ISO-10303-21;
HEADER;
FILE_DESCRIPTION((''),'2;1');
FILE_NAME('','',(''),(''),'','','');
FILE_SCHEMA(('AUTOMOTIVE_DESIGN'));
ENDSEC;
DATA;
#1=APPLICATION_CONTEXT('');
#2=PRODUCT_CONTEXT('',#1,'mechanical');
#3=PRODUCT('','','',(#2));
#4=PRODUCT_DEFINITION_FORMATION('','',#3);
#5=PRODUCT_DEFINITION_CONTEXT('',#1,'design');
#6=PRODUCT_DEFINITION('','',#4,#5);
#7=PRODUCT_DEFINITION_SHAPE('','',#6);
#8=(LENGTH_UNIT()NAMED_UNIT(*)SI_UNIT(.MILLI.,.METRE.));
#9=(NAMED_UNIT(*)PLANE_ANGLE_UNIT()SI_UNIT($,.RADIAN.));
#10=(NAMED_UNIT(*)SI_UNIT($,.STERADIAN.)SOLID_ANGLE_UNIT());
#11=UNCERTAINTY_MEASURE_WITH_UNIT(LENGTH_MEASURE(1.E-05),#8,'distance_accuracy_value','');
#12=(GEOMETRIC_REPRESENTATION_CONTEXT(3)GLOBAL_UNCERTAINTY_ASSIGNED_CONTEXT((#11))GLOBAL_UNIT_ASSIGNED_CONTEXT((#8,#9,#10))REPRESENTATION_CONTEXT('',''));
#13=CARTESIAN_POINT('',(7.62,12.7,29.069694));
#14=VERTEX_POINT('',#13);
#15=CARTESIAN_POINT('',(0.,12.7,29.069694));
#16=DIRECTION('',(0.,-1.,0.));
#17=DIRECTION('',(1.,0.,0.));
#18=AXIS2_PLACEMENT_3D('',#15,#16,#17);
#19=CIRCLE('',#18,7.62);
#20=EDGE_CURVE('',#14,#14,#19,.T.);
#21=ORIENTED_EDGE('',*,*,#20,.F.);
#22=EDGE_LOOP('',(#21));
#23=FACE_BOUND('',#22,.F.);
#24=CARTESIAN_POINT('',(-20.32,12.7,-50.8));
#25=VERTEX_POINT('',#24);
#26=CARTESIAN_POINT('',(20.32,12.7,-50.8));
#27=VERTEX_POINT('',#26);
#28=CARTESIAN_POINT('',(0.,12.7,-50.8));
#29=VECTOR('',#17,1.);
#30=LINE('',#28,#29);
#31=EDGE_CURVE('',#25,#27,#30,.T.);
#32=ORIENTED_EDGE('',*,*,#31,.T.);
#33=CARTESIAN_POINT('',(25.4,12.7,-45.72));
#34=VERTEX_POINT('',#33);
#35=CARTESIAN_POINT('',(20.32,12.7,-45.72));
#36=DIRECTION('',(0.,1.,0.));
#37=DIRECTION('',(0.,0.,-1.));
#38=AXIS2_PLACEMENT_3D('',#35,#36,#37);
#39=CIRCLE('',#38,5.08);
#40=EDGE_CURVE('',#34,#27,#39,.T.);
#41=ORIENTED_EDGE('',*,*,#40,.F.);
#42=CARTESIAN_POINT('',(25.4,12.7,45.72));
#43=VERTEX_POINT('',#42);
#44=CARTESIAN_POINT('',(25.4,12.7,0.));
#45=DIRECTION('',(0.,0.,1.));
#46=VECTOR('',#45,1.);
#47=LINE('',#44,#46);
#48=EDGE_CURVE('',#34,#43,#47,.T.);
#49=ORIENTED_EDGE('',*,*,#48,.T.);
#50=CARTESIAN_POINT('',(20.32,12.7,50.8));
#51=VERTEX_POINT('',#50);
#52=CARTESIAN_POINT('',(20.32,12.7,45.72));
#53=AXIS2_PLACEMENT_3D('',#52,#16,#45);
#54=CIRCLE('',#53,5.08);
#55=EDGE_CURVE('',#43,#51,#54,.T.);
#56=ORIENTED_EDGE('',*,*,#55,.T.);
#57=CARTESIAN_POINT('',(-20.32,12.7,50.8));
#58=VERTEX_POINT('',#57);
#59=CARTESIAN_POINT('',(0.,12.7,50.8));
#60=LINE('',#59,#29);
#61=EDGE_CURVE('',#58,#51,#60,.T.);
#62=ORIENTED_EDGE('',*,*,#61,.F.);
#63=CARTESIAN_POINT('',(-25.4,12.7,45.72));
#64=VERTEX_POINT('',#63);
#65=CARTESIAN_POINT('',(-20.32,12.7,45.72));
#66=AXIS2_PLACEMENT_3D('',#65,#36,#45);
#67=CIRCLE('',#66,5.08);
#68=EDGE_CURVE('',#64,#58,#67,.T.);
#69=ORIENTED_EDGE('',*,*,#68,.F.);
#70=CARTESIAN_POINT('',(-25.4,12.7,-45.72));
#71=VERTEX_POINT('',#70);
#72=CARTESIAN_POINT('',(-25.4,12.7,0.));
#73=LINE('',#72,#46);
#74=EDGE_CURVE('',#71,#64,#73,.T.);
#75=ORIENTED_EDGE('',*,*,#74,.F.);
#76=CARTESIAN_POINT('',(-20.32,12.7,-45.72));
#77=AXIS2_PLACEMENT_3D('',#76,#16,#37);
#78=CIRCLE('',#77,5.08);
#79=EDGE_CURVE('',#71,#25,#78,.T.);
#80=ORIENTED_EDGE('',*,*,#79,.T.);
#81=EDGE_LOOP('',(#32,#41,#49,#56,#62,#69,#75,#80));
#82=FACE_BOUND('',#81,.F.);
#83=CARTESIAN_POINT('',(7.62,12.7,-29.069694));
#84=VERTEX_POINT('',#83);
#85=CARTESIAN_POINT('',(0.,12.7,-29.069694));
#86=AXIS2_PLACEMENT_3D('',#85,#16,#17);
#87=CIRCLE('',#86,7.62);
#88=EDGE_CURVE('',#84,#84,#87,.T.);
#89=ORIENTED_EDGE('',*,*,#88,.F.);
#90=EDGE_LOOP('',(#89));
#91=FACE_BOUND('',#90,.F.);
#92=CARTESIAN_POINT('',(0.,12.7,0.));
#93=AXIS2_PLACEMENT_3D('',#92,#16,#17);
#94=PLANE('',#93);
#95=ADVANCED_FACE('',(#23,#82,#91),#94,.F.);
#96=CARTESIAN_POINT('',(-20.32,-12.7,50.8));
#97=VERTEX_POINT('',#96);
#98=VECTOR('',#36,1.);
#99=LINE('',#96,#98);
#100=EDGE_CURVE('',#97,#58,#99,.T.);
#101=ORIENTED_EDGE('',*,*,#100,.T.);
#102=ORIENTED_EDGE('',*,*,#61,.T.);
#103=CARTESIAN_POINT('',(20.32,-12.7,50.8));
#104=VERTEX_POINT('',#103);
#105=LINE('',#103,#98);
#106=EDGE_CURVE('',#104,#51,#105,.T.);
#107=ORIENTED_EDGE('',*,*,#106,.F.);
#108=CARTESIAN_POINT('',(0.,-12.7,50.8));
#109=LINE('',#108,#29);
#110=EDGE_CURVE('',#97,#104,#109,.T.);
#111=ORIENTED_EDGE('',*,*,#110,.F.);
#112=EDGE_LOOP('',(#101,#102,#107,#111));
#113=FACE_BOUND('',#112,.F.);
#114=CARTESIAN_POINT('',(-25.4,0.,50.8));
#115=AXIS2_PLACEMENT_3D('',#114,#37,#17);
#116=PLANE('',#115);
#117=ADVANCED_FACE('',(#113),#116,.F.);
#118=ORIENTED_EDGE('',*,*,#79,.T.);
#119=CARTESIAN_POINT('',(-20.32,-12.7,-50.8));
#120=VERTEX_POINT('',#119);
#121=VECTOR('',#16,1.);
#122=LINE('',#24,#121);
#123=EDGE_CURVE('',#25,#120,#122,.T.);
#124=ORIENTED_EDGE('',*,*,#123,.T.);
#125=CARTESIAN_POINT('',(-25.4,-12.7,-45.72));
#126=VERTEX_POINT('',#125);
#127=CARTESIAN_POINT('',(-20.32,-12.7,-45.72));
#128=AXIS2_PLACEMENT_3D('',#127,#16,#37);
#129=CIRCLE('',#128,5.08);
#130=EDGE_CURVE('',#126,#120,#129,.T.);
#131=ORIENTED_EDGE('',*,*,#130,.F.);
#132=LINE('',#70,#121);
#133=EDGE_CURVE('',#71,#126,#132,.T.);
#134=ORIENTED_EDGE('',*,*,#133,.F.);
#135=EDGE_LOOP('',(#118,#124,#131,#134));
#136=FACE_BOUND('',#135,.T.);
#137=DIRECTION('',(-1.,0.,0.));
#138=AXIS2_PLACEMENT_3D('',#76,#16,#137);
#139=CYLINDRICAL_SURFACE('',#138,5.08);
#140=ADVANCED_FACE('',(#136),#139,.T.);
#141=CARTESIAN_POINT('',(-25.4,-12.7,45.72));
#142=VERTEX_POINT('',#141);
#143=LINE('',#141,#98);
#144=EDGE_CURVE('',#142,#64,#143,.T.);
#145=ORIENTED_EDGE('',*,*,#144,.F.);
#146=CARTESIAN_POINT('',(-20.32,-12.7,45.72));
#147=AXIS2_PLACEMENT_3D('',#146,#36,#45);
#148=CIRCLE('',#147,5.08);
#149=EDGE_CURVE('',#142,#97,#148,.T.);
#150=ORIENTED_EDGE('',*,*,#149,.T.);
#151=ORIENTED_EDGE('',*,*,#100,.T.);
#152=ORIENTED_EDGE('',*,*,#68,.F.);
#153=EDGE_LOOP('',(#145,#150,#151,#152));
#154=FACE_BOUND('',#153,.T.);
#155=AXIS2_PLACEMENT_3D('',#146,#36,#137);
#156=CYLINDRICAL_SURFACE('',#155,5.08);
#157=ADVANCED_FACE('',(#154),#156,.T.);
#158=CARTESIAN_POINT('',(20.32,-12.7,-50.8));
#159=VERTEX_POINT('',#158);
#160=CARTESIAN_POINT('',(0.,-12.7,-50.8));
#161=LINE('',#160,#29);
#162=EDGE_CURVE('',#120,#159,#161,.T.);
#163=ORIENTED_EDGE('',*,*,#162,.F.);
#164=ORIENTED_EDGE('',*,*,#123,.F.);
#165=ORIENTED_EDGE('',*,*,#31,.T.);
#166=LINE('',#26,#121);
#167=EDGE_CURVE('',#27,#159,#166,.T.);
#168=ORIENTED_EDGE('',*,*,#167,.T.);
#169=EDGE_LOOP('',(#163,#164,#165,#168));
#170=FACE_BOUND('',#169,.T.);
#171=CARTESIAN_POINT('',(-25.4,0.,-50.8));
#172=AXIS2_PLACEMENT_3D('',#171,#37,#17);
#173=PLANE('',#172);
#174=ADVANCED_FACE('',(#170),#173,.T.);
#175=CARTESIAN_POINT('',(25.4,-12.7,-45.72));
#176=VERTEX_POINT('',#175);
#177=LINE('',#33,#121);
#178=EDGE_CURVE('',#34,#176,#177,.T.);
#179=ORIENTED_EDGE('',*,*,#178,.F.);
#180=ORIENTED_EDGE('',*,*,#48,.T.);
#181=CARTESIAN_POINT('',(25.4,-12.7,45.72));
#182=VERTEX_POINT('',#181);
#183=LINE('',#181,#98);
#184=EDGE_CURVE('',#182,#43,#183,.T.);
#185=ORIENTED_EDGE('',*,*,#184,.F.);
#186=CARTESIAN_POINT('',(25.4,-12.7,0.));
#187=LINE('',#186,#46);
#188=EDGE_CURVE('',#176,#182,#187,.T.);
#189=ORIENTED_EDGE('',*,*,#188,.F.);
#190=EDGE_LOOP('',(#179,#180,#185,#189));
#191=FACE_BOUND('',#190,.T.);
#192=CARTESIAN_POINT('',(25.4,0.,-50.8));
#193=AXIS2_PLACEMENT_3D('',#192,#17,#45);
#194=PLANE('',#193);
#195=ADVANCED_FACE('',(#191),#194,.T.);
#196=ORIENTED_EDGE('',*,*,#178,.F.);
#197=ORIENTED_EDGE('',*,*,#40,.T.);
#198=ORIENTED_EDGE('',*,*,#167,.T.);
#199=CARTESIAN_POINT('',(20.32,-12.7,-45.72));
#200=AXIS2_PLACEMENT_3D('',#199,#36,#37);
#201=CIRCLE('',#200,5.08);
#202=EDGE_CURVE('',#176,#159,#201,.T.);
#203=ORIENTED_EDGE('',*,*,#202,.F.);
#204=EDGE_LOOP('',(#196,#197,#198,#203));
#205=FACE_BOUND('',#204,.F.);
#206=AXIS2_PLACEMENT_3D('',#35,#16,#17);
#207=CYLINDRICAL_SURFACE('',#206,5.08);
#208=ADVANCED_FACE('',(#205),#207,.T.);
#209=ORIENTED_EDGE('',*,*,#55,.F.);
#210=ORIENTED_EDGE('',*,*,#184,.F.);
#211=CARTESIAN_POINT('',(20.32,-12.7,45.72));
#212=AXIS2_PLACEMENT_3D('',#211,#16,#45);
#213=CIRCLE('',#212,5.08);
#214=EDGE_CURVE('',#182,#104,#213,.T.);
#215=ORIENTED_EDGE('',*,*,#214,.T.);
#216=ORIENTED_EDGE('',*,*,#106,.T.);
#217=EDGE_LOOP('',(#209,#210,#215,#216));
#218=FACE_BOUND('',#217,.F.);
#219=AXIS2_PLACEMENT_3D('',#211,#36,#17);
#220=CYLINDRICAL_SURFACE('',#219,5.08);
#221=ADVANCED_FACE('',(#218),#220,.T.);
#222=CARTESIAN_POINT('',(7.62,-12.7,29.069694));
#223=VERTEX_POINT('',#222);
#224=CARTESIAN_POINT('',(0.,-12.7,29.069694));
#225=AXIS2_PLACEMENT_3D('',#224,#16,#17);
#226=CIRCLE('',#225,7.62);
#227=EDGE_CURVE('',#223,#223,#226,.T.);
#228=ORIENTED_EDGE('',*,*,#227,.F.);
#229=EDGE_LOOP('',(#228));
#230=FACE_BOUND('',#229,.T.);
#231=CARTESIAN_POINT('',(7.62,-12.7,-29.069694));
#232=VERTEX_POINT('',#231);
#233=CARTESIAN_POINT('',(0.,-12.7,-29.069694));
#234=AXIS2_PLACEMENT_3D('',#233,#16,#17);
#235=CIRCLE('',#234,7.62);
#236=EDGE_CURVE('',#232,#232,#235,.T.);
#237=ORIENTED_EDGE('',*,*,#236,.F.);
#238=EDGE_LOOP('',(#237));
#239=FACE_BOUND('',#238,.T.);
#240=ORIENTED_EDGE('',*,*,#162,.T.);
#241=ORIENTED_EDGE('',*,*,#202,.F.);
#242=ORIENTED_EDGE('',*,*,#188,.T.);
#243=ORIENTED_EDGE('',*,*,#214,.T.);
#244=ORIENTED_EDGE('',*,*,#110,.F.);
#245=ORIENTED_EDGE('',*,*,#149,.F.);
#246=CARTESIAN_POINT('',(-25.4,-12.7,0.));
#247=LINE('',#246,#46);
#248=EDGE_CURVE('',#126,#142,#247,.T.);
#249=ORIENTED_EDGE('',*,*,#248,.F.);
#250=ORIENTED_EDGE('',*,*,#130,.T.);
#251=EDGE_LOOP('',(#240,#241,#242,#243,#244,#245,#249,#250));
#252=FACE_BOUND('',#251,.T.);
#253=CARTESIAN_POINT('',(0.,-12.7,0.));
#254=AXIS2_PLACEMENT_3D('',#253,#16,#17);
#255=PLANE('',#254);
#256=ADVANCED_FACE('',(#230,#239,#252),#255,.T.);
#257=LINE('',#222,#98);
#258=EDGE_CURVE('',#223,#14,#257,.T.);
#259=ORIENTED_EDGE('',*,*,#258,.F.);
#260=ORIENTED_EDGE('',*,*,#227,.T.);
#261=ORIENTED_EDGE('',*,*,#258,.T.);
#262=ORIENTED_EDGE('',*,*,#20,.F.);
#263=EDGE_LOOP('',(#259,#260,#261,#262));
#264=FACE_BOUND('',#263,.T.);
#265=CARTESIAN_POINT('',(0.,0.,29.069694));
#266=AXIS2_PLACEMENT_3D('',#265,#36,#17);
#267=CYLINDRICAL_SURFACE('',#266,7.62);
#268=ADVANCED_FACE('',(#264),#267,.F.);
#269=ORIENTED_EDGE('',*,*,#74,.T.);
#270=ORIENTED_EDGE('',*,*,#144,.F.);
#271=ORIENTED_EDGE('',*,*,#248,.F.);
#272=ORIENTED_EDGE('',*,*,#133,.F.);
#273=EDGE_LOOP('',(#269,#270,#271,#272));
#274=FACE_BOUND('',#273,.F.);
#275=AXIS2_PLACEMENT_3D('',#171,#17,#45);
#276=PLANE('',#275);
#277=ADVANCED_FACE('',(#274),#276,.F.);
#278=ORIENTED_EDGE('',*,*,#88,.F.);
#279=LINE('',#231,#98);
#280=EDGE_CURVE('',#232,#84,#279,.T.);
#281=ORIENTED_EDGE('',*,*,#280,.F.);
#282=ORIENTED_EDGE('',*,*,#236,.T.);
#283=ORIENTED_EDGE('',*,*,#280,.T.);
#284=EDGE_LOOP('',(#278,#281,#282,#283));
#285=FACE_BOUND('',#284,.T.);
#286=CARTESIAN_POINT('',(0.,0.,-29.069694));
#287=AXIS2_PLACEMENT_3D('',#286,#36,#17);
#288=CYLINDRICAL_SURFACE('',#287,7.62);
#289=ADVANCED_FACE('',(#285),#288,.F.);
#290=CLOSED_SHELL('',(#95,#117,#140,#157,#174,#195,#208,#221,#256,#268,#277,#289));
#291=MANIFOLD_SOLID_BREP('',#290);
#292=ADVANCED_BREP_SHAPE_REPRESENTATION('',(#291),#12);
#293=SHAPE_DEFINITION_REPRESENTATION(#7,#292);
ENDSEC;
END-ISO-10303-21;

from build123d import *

# Parameters (mm, degrees)
F0_W     = 50.8
F0_H     = 101.6
F0_R     = 7.62
F1_DEPTH = 12.7
F2_R     = 5.08


with BuildPart() as f1:
    # F0 (on Front) → F1 (new body, symmetric)
    with BuildSketch(Plane.XZ):
        Rectangle(F0_W, F0_H)
        with Locations((0, -29.069694)):
            Circle(F0_R, mode=Mode.SUBTRACT)
        with Locations((0, 29.069694)):
            Circle(F0_R, mode=Mode.SUBTRACT)
    extrude(amount=F1_DEPTH, both=True)

    # F2
    f2_edges = [f1.edges().sort_by_distance(p)[0] for p in [
        (25.4, 0, 50.8),
        (-25.4, 0, 50.8),
        (25.4, 0, -50.8),
        (-25.4, 0, -50.8),
    ]]
    fillet(f2_edges, radius=F2_R)


solid = f1.part
